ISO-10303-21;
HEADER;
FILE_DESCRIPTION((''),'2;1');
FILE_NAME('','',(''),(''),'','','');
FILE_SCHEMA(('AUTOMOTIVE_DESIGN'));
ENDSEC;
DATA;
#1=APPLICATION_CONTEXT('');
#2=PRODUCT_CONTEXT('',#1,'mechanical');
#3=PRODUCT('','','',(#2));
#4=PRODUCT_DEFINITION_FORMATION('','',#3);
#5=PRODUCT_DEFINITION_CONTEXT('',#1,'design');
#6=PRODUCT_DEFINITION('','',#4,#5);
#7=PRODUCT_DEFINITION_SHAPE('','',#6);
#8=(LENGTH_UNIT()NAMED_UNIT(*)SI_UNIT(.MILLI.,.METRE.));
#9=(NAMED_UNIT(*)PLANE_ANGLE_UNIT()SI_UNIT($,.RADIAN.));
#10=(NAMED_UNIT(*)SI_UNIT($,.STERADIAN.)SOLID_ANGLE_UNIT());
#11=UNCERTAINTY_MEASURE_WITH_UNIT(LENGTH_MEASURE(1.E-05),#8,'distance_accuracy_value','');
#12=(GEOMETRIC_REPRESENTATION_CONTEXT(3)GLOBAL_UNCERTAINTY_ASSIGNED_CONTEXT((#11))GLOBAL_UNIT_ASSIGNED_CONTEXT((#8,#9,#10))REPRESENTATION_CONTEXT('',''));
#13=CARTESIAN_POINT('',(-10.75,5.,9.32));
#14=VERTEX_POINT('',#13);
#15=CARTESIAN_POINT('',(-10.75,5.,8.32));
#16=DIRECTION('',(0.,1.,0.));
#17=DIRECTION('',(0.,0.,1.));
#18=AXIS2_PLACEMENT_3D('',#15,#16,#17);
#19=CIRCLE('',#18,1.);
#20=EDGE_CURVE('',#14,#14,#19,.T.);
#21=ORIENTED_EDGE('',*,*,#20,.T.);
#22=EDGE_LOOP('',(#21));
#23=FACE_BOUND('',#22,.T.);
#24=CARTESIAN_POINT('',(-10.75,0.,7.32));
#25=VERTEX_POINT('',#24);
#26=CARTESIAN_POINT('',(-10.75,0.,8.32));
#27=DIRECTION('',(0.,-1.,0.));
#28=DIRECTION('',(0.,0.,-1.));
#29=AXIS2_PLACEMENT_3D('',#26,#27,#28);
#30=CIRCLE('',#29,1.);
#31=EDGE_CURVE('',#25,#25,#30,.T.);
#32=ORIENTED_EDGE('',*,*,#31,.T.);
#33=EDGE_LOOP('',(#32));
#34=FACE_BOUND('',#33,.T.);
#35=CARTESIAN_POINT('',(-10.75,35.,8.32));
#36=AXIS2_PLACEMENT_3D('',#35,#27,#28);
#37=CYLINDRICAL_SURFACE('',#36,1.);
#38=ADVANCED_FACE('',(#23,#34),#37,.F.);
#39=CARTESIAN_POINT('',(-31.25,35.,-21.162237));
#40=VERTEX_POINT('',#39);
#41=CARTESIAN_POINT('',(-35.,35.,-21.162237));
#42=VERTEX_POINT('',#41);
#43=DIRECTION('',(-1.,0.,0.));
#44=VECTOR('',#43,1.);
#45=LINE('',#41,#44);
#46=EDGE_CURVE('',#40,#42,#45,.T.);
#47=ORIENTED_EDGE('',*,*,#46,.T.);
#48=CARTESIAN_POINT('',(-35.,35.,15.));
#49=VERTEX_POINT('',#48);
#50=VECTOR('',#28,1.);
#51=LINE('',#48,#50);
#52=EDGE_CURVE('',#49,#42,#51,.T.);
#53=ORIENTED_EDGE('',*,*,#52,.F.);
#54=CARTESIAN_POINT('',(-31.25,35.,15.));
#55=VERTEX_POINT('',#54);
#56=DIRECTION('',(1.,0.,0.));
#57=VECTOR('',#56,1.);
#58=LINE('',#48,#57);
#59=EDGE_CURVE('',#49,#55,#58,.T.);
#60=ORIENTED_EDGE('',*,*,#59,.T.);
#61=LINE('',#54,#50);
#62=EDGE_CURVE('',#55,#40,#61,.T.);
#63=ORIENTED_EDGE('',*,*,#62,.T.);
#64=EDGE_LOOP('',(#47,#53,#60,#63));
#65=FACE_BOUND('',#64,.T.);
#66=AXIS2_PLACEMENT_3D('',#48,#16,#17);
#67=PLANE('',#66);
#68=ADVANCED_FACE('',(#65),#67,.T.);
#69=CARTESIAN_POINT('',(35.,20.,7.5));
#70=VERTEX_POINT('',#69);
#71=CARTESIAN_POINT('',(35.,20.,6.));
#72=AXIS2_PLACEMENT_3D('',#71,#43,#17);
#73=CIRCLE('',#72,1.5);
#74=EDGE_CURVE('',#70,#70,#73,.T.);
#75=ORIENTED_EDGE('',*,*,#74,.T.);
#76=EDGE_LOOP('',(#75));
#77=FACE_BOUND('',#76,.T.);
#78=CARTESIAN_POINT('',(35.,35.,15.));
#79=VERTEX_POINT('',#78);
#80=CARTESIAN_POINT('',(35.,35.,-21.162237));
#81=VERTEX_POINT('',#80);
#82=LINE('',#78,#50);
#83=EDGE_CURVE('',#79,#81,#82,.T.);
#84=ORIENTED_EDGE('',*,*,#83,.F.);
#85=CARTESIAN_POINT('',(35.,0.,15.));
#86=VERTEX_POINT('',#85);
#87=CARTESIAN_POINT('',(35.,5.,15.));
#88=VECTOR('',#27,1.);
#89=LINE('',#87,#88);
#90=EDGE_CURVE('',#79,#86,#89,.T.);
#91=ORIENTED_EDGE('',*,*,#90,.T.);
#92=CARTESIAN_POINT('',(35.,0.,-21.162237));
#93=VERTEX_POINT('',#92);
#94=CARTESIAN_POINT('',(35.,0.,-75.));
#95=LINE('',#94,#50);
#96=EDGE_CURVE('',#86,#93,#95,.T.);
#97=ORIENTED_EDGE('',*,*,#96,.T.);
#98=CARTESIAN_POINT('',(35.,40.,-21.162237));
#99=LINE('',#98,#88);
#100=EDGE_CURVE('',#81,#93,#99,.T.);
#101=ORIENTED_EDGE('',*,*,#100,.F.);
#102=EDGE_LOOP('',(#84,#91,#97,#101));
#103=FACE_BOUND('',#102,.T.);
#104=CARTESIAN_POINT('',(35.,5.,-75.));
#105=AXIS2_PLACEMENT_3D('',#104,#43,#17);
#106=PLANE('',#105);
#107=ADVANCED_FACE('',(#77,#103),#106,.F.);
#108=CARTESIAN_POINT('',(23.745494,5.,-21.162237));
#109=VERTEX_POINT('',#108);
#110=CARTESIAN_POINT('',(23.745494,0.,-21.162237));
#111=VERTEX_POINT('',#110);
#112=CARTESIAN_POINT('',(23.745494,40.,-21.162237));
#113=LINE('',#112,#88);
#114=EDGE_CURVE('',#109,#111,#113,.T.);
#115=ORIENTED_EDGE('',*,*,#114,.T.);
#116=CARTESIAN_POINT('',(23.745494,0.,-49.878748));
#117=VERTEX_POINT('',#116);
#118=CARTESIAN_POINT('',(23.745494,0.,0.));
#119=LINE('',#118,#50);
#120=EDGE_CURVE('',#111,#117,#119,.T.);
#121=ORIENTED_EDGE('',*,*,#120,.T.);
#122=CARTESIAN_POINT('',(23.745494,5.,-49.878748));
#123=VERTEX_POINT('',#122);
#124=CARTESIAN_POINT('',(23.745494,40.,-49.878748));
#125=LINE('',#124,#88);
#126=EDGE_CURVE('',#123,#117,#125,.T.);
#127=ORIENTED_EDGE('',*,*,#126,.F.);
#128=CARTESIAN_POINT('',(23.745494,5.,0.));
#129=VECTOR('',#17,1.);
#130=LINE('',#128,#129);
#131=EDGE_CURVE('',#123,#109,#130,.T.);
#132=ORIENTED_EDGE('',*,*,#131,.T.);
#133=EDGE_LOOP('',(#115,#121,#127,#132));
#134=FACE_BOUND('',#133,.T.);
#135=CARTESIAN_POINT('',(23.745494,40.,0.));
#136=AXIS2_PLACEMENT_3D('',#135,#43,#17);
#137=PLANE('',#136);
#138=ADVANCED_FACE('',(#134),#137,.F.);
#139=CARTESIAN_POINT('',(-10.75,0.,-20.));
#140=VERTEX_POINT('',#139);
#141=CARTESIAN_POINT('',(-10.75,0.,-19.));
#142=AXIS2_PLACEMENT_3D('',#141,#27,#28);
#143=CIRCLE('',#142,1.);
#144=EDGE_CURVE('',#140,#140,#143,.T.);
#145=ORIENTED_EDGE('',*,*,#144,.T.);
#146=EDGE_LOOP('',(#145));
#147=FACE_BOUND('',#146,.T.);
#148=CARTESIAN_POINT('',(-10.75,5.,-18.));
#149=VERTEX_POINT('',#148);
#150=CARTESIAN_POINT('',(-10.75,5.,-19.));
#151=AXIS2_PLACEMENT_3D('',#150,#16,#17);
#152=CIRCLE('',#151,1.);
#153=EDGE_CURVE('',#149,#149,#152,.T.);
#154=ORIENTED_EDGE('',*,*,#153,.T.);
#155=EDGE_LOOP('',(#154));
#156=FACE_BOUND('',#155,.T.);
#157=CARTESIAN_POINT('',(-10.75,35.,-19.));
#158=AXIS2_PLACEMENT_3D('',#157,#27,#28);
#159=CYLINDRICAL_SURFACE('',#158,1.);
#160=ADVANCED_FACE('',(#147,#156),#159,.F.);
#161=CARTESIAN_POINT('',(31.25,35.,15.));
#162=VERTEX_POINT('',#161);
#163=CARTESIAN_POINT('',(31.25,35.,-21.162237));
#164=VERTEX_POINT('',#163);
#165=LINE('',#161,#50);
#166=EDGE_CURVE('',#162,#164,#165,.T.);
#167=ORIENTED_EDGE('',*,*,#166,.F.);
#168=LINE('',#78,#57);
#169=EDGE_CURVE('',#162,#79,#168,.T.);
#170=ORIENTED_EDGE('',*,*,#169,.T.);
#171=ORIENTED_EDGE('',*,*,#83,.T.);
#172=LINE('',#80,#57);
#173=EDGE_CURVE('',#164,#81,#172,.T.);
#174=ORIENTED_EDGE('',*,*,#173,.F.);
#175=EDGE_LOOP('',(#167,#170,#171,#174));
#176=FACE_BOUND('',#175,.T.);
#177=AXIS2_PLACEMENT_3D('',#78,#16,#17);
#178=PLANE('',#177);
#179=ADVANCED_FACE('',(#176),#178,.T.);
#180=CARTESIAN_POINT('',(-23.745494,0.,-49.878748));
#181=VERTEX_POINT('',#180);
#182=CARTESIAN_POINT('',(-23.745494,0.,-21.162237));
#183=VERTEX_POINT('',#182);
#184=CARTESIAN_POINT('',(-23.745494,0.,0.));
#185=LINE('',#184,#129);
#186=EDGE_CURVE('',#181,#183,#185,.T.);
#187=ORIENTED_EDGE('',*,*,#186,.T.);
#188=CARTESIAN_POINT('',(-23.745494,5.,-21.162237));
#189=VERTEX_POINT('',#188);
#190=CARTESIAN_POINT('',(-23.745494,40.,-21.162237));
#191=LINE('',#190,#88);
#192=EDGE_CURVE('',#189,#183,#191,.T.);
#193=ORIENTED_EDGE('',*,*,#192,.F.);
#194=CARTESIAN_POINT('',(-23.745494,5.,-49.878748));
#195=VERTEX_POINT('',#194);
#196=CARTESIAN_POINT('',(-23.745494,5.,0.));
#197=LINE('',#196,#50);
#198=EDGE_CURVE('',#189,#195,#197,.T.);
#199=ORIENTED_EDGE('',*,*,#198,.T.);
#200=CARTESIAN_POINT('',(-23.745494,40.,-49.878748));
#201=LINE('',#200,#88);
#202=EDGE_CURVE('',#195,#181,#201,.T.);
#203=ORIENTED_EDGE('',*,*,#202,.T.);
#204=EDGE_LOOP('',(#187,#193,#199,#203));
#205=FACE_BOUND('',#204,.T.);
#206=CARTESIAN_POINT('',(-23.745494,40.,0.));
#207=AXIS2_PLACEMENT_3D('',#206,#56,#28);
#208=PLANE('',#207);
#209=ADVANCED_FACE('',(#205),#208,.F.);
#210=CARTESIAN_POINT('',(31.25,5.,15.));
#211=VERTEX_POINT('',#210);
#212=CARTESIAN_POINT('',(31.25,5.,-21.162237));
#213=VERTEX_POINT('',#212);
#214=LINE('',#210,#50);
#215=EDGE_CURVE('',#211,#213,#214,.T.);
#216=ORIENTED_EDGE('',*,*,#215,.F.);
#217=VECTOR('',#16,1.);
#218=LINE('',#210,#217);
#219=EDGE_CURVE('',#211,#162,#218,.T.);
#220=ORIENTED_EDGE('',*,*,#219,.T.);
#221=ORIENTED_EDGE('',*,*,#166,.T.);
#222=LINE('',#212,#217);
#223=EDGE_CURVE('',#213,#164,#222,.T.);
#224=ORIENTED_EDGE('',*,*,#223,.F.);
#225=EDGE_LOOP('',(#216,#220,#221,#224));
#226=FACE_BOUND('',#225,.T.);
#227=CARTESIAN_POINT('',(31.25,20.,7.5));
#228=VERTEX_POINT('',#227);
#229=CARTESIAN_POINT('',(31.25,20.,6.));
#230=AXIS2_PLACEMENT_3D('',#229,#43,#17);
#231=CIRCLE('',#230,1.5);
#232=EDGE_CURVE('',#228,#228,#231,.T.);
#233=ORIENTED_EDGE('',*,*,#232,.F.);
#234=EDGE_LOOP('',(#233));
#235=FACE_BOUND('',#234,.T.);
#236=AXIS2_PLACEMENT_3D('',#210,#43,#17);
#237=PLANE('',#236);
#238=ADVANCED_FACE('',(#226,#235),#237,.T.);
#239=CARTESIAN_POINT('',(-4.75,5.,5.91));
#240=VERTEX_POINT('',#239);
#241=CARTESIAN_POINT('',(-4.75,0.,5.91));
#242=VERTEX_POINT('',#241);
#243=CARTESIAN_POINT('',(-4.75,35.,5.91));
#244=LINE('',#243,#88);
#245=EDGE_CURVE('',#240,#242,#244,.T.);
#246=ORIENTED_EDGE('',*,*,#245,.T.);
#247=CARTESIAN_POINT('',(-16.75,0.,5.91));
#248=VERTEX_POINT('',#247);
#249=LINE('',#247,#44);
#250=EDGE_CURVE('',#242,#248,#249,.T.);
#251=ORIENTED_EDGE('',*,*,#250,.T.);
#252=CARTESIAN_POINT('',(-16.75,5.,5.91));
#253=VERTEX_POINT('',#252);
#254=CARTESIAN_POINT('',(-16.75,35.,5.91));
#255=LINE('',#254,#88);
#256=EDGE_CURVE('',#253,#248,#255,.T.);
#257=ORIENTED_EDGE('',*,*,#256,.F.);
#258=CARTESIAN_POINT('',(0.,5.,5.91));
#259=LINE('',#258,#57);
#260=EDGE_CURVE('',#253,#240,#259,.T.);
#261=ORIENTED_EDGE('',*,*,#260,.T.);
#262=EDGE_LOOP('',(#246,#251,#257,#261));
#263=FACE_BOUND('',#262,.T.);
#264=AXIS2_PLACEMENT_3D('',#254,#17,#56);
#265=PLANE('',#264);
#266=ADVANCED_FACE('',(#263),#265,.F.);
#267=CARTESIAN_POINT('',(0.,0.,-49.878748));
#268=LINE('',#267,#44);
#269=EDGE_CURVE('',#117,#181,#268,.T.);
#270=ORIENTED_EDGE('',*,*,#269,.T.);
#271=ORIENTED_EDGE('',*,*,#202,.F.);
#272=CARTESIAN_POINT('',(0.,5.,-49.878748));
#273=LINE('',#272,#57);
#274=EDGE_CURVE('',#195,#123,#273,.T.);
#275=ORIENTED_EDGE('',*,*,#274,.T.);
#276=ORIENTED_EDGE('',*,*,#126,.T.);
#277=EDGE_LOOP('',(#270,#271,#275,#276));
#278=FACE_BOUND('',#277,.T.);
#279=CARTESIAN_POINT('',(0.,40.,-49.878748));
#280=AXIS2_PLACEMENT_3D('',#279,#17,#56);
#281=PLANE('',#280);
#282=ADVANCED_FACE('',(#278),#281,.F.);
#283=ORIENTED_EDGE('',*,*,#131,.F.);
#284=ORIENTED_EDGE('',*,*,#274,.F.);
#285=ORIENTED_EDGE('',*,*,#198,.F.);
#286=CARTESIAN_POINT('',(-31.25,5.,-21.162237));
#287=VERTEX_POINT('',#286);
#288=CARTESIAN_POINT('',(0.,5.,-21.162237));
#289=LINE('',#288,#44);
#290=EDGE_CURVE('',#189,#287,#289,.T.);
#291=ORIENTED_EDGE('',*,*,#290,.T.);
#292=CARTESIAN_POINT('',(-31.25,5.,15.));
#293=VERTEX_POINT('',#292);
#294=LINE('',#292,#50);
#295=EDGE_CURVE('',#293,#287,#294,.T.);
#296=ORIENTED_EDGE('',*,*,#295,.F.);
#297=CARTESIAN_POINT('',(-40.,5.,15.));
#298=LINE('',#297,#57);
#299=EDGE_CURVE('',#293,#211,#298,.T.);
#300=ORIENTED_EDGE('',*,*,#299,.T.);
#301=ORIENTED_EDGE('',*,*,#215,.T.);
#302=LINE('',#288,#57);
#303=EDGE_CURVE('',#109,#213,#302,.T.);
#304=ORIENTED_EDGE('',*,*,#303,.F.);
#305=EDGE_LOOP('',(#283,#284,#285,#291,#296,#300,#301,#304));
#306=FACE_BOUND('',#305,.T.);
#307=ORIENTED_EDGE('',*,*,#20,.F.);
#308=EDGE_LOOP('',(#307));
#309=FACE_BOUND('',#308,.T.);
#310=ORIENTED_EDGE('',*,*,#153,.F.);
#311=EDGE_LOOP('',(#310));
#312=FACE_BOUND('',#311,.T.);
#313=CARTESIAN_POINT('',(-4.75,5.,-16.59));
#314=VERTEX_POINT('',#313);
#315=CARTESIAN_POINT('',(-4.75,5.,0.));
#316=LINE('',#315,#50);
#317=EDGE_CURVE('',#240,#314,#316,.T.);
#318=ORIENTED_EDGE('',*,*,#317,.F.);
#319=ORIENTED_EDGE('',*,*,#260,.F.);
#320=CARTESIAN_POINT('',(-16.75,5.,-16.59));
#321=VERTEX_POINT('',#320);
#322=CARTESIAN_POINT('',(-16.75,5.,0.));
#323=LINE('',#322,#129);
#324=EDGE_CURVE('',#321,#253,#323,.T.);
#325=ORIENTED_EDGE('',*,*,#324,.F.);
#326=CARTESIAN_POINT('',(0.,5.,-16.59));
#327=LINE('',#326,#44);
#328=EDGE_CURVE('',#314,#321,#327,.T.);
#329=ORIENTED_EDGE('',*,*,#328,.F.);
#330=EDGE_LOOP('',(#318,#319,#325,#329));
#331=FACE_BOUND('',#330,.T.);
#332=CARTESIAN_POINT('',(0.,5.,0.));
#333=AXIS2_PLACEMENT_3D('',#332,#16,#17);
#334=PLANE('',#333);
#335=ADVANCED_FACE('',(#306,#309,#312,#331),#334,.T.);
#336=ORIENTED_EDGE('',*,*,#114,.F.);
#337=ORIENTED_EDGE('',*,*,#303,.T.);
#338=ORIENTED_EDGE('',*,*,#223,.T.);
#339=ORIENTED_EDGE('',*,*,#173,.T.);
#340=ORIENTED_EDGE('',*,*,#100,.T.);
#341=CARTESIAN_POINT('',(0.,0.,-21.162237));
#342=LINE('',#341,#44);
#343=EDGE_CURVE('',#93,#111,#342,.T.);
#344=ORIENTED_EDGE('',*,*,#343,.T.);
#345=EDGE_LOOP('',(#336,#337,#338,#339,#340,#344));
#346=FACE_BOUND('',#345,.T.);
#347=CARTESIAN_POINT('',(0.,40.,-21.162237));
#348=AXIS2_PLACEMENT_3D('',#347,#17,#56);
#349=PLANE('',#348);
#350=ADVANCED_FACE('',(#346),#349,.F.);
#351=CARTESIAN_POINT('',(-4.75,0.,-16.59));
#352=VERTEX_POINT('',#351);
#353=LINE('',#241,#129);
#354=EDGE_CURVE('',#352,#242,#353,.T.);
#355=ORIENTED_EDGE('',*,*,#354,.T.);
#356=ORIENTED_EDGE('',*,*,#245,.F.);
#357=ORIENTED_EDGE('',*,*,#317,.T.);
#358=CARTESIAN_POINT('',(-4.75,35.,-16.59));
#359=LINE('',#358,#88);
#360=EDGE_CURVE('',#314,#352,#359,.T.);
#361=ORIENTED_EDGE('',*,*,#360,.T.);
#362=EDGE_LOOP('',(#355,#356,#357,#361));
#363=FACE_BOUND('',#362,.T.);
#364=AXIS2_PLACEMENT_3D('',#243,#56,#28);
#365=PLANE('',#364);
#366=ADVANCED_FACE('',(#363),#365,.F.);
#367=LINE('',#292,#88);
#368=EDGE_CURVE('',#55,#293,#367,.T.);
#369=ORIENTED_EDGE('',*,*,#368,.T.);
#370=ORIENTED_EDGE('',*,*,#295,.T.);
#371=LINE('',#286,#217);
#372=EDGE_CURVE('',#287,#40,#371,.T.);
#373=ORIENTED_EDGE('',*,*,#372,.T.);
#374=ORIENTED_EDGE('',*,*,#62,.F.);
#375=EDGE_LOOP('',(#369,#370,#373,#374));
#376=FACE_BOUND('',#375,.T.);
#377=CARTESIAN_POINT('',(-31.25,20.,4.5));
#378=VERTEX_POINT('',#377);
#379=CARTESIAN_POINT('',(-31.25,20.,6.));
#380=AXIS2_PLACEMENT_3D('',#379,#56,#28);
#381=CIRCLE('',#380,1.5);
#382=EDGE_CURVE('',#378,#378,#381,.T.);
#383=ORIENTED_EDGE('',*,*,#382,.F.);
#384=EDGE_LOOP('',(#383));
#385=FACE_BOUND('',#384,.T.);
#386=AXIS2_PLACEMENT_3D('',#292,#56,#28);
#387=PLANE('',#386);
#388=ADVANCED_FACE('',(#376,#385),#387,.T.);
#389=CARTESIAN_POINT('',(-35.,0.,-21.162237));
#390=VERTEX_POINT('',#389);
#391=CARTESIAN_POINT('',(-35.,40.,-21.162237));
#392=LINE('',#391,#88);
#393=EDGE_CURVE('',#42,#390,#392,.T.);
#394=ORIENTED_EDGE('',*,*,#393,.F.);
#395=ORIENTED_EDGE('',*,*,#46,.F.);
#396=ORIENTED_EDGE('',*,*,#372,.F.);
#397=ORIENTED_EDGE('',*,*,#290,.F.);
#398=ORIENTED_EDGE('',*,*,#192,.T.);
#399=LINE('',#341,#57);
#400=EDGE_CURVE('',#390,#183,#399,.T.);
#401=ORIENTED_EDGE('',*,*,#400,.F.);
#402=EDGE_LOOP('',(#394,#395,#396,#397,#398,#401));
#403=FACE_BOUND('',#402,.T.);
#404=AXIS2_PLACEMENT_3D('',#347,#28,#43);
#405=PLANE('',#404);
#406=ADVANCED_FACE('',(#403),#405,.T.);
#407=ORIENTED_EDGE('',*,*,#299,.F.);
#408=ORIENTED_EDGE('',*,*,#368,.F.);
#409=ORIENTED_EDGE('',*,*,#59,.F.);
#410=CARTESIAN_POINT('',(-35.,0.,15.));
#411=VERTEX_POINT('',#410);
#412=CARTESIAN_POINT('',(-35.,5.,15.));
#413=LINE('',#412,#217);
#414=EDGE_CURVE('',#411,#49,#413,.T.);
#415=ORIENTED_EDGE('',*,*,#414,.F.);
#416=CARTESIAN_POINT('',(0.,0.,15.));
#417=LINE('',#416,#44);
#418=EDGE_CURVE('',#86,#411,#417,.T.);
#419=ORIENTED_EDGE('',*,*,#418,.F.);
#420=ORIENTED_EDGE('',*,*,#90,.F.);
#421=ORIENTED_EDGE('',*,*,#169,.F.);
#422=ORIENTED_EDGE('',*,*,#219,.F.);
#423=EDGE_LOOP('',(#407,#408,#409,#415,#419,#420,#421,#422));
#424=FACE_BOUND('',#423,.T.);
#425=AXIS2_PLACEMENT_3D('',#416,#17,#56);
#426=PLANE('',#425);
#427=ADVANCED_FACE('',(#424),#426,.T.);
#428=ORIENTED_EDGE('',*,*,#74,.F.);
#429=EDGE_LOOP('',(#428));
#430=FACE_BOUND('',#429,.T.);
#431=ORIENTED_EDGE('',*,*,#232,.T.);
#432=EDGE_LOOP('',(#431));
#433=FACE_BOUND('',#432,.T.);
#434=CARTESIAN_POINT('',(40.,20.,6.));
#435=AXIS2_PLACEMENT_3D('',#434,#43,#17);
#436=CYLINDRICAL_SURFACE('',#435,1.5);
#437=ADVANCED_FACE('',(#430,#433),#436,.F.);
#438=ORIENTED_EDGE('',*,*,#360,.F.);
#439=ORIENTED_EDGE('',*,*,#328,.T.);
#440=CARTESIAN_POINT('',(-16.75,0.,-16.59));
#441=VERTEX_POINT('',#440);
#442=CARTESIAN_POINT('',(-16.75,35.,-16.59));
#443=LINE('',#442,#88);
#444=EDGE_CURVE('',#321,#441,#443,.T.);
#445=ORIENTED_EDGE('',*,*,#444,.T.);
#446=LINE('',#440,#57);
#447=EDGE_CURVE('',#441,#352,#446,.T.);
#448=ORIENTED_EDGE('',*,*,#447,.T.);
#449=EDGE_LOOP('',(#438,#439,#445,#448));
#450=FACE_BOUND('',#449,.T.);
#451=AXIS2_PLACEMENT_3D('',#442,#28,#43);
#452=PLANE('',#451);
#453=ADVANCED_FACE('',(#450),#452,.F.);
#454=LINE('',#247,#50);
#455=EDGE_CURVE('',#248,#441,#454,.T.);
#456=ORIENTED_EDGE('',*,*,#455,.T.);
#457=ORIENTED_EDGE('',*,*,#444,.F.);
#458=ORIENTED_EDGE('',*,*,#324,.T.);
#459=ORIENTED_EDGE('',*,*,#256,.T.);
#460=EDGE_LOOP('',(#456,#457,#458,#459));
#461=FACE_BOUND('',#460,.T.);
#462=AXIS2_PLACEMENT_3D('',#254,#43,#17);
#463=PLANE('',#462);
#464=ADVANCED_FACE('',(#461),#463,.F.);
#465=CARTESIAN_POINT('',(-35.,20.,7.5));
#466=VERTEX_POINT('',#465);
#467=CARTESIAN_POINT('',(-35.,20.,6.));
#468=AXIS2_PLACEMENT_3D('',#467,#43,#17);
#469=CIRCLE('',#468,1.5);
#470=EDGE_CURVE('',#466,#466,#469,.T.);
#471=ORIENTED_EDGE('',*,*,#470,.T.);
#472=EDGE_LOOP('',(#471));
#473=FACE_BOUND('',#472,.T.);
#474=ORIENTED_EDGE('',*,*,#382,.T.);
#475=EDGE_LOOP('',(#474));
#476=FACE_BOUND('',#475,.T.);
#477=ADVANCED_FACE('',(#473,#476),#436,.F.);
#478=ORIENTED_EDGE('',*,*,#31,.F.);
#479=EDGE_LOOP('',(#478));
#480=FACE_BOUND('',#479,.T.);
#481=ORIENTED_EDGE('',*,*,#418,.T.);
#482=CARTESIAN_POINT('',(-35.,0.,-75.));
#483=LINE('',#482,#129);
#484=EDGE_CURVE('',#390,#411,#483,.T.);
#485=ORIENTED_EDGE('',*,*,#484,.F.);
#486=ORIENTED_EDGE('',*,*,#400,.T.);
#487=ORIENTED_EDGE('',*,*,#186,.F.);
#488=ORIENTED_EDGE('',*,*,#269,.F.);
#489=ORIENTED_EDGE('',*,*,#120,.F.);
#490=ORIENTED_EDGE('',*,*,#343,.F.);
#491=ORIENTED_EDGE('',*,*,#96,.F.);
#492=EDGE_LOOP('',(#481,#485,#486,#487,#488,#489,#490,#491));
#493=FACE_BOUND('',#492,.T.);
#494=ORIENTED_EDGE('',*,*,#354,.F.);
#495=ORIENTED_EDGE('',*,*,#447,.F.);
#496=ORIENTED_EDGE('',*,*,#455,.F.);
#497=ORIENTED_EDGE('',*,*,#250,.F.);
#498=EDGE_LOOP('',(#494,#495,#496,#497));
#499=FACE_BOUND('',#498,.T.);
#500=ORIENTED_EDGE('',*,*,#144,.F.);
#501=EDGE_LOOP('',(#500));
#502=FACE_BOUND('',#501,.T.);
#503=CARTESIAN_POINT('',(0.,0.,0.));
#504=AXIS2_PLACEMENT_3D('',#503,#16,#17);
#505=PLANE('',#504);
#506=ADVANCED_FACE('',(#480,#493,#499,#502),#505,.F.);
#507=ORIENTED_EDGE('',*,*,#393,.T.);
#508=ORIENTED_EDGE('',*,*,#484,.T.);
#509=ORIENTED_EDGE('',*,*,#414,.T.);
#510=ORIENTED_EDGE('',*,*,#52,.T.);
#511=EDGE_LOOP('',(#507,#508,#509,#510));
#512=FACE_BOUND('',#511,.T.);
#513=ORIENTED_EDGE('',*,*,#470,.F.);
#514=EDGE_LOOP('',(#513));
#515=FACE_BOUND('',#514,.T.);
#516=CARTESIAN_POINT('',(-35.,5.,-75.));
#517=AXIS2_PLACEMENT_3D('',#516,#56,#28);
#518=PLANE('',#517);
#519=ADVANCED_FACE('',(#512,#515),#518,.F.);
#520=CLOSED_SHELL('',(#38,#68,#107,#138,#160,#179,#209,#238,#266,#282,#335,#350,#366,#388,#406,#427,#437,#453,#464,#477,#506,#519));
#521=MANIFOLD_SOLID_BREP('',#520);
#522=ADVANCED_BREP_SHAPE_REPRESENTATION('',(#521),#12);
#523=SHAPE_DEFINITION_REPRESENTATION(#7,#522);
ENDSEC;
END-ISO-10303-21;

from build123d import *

# Parameters (mm, degrees)
SKETCH1_W           = 70
SKETCH1_H           = 150
BOSS_EXTRUDE1_DEPTH = 5
SKETCH7_W           = 3.75
SKETCH7_H           = 30
BOSS_EXTRUDE2_DEPTH = 90
SKETCH10_W          = 60
SKETCH10_H          = 5
CUT_EXTRUDE2_DEPTH  = 75
SKETCH11_R          = 1.5
CUT_EXTRUDE3_DEPTH  = 75
CUT_EXTRUDE4_DEPTH  = 40
SKETCH13_R          = 1
SKETCH13_W          = 12
SKETCH13_H          = 22.5
CUT_EXTRUDE5_DEPTH  = 35


with BuildPart() as part:
    # Sketch1 → Boss-Extrude1 (new body)
    with BuildSketch(Plane(origin=(0, 0, 0), x_dir=(1, 0, 0), z_dir=(0, 1, 0))):
        Rectangle(SKETCH1_W, SKETCH1_H)
    extrude(amount=BOSS_EXTRUDE1_DEPTH)

    # Sketch7 → Boss-Extrude2 (add)
    with BuildSketch(Plane(origin=(0, 0, -75), x_dir=(-1, 0, 0), z_dir=(0, 0, -1))):
        with Locations((-33.125, 20)):
            Rectangle(SKETCH7_W, SKETCH7_H)
        with Locations((33.125, 20)):
            Rectangle(SKETCH7_W, SKETCH7_H)
    extrude(amount=-BOSS_EXTRUDE2_DEPTH)

    # Sketch10 → Cut-Extrude2 (cut)
    with BuildSketch(Plane(origin=(35, 0, 0), x_dir=(0, 0, -1), z_dir=(1, 0, 0))):
        with Locations((-45, 2.5)):
            Rectangle(SKETCH10_W, SKETCH10_H)
    extrude(amount=-CUT_EXTRUDE2_DEPTH, mode=Mode.SUBTRACT)

    # Sketch11 → Cut-Extrude3 (cut)
    with BuildSketch(Plane.ZY.offset(35)):
        with Locations((6, 20)):
            Circle(SKETCH11_R)
    extrude(amount=-CUT_EXTRUDE3_DEPTH, mode=Mode.SUBTRACT)

    # Sketch12 → Cut-Extrude4 (cut)
    with BuildSketch(Plane.XZ):
        Polygon((35, -75), (35, -21.162236792), (23.74549434, -21.162236792), (23.74549434, -49.878747724), (0, -49.878747724), (0, -75), (23.74549434, -75), align=None)
        Polygon((0, -75), (0, -49.878747724), (-23.74549434, -49.878747724), (-23.74549434, -21.162236792), (-35, -21.162236792), (-35, -75), (-23.74549434, -75), align=None)
    extrude(amount=-CUT_EXTRUDE4_DEPTH, mode=Mode.SUBTRACT)

    # Sketch13 → Cut-Extrude5 (cut)
    with BuildSketch(Plane.XZ):
        with Locations(Location((-10.75, 8.32, 0), (0, 0, 270))):
            Circle(SKETCH13_R)
        with Locations(Location((-10.75, -19, 0), (0, 0, 270))):
            Circle(SKETCH13_R)
        with Locations((-10.75, -5.34)):
            Rectangle(SKETCH13_W, SKETCH13_H)
    extrude(amount=-CUT_EXTRUDE5_DEPTH, mode=Mode.SUBTRACT)


solid = part.part
